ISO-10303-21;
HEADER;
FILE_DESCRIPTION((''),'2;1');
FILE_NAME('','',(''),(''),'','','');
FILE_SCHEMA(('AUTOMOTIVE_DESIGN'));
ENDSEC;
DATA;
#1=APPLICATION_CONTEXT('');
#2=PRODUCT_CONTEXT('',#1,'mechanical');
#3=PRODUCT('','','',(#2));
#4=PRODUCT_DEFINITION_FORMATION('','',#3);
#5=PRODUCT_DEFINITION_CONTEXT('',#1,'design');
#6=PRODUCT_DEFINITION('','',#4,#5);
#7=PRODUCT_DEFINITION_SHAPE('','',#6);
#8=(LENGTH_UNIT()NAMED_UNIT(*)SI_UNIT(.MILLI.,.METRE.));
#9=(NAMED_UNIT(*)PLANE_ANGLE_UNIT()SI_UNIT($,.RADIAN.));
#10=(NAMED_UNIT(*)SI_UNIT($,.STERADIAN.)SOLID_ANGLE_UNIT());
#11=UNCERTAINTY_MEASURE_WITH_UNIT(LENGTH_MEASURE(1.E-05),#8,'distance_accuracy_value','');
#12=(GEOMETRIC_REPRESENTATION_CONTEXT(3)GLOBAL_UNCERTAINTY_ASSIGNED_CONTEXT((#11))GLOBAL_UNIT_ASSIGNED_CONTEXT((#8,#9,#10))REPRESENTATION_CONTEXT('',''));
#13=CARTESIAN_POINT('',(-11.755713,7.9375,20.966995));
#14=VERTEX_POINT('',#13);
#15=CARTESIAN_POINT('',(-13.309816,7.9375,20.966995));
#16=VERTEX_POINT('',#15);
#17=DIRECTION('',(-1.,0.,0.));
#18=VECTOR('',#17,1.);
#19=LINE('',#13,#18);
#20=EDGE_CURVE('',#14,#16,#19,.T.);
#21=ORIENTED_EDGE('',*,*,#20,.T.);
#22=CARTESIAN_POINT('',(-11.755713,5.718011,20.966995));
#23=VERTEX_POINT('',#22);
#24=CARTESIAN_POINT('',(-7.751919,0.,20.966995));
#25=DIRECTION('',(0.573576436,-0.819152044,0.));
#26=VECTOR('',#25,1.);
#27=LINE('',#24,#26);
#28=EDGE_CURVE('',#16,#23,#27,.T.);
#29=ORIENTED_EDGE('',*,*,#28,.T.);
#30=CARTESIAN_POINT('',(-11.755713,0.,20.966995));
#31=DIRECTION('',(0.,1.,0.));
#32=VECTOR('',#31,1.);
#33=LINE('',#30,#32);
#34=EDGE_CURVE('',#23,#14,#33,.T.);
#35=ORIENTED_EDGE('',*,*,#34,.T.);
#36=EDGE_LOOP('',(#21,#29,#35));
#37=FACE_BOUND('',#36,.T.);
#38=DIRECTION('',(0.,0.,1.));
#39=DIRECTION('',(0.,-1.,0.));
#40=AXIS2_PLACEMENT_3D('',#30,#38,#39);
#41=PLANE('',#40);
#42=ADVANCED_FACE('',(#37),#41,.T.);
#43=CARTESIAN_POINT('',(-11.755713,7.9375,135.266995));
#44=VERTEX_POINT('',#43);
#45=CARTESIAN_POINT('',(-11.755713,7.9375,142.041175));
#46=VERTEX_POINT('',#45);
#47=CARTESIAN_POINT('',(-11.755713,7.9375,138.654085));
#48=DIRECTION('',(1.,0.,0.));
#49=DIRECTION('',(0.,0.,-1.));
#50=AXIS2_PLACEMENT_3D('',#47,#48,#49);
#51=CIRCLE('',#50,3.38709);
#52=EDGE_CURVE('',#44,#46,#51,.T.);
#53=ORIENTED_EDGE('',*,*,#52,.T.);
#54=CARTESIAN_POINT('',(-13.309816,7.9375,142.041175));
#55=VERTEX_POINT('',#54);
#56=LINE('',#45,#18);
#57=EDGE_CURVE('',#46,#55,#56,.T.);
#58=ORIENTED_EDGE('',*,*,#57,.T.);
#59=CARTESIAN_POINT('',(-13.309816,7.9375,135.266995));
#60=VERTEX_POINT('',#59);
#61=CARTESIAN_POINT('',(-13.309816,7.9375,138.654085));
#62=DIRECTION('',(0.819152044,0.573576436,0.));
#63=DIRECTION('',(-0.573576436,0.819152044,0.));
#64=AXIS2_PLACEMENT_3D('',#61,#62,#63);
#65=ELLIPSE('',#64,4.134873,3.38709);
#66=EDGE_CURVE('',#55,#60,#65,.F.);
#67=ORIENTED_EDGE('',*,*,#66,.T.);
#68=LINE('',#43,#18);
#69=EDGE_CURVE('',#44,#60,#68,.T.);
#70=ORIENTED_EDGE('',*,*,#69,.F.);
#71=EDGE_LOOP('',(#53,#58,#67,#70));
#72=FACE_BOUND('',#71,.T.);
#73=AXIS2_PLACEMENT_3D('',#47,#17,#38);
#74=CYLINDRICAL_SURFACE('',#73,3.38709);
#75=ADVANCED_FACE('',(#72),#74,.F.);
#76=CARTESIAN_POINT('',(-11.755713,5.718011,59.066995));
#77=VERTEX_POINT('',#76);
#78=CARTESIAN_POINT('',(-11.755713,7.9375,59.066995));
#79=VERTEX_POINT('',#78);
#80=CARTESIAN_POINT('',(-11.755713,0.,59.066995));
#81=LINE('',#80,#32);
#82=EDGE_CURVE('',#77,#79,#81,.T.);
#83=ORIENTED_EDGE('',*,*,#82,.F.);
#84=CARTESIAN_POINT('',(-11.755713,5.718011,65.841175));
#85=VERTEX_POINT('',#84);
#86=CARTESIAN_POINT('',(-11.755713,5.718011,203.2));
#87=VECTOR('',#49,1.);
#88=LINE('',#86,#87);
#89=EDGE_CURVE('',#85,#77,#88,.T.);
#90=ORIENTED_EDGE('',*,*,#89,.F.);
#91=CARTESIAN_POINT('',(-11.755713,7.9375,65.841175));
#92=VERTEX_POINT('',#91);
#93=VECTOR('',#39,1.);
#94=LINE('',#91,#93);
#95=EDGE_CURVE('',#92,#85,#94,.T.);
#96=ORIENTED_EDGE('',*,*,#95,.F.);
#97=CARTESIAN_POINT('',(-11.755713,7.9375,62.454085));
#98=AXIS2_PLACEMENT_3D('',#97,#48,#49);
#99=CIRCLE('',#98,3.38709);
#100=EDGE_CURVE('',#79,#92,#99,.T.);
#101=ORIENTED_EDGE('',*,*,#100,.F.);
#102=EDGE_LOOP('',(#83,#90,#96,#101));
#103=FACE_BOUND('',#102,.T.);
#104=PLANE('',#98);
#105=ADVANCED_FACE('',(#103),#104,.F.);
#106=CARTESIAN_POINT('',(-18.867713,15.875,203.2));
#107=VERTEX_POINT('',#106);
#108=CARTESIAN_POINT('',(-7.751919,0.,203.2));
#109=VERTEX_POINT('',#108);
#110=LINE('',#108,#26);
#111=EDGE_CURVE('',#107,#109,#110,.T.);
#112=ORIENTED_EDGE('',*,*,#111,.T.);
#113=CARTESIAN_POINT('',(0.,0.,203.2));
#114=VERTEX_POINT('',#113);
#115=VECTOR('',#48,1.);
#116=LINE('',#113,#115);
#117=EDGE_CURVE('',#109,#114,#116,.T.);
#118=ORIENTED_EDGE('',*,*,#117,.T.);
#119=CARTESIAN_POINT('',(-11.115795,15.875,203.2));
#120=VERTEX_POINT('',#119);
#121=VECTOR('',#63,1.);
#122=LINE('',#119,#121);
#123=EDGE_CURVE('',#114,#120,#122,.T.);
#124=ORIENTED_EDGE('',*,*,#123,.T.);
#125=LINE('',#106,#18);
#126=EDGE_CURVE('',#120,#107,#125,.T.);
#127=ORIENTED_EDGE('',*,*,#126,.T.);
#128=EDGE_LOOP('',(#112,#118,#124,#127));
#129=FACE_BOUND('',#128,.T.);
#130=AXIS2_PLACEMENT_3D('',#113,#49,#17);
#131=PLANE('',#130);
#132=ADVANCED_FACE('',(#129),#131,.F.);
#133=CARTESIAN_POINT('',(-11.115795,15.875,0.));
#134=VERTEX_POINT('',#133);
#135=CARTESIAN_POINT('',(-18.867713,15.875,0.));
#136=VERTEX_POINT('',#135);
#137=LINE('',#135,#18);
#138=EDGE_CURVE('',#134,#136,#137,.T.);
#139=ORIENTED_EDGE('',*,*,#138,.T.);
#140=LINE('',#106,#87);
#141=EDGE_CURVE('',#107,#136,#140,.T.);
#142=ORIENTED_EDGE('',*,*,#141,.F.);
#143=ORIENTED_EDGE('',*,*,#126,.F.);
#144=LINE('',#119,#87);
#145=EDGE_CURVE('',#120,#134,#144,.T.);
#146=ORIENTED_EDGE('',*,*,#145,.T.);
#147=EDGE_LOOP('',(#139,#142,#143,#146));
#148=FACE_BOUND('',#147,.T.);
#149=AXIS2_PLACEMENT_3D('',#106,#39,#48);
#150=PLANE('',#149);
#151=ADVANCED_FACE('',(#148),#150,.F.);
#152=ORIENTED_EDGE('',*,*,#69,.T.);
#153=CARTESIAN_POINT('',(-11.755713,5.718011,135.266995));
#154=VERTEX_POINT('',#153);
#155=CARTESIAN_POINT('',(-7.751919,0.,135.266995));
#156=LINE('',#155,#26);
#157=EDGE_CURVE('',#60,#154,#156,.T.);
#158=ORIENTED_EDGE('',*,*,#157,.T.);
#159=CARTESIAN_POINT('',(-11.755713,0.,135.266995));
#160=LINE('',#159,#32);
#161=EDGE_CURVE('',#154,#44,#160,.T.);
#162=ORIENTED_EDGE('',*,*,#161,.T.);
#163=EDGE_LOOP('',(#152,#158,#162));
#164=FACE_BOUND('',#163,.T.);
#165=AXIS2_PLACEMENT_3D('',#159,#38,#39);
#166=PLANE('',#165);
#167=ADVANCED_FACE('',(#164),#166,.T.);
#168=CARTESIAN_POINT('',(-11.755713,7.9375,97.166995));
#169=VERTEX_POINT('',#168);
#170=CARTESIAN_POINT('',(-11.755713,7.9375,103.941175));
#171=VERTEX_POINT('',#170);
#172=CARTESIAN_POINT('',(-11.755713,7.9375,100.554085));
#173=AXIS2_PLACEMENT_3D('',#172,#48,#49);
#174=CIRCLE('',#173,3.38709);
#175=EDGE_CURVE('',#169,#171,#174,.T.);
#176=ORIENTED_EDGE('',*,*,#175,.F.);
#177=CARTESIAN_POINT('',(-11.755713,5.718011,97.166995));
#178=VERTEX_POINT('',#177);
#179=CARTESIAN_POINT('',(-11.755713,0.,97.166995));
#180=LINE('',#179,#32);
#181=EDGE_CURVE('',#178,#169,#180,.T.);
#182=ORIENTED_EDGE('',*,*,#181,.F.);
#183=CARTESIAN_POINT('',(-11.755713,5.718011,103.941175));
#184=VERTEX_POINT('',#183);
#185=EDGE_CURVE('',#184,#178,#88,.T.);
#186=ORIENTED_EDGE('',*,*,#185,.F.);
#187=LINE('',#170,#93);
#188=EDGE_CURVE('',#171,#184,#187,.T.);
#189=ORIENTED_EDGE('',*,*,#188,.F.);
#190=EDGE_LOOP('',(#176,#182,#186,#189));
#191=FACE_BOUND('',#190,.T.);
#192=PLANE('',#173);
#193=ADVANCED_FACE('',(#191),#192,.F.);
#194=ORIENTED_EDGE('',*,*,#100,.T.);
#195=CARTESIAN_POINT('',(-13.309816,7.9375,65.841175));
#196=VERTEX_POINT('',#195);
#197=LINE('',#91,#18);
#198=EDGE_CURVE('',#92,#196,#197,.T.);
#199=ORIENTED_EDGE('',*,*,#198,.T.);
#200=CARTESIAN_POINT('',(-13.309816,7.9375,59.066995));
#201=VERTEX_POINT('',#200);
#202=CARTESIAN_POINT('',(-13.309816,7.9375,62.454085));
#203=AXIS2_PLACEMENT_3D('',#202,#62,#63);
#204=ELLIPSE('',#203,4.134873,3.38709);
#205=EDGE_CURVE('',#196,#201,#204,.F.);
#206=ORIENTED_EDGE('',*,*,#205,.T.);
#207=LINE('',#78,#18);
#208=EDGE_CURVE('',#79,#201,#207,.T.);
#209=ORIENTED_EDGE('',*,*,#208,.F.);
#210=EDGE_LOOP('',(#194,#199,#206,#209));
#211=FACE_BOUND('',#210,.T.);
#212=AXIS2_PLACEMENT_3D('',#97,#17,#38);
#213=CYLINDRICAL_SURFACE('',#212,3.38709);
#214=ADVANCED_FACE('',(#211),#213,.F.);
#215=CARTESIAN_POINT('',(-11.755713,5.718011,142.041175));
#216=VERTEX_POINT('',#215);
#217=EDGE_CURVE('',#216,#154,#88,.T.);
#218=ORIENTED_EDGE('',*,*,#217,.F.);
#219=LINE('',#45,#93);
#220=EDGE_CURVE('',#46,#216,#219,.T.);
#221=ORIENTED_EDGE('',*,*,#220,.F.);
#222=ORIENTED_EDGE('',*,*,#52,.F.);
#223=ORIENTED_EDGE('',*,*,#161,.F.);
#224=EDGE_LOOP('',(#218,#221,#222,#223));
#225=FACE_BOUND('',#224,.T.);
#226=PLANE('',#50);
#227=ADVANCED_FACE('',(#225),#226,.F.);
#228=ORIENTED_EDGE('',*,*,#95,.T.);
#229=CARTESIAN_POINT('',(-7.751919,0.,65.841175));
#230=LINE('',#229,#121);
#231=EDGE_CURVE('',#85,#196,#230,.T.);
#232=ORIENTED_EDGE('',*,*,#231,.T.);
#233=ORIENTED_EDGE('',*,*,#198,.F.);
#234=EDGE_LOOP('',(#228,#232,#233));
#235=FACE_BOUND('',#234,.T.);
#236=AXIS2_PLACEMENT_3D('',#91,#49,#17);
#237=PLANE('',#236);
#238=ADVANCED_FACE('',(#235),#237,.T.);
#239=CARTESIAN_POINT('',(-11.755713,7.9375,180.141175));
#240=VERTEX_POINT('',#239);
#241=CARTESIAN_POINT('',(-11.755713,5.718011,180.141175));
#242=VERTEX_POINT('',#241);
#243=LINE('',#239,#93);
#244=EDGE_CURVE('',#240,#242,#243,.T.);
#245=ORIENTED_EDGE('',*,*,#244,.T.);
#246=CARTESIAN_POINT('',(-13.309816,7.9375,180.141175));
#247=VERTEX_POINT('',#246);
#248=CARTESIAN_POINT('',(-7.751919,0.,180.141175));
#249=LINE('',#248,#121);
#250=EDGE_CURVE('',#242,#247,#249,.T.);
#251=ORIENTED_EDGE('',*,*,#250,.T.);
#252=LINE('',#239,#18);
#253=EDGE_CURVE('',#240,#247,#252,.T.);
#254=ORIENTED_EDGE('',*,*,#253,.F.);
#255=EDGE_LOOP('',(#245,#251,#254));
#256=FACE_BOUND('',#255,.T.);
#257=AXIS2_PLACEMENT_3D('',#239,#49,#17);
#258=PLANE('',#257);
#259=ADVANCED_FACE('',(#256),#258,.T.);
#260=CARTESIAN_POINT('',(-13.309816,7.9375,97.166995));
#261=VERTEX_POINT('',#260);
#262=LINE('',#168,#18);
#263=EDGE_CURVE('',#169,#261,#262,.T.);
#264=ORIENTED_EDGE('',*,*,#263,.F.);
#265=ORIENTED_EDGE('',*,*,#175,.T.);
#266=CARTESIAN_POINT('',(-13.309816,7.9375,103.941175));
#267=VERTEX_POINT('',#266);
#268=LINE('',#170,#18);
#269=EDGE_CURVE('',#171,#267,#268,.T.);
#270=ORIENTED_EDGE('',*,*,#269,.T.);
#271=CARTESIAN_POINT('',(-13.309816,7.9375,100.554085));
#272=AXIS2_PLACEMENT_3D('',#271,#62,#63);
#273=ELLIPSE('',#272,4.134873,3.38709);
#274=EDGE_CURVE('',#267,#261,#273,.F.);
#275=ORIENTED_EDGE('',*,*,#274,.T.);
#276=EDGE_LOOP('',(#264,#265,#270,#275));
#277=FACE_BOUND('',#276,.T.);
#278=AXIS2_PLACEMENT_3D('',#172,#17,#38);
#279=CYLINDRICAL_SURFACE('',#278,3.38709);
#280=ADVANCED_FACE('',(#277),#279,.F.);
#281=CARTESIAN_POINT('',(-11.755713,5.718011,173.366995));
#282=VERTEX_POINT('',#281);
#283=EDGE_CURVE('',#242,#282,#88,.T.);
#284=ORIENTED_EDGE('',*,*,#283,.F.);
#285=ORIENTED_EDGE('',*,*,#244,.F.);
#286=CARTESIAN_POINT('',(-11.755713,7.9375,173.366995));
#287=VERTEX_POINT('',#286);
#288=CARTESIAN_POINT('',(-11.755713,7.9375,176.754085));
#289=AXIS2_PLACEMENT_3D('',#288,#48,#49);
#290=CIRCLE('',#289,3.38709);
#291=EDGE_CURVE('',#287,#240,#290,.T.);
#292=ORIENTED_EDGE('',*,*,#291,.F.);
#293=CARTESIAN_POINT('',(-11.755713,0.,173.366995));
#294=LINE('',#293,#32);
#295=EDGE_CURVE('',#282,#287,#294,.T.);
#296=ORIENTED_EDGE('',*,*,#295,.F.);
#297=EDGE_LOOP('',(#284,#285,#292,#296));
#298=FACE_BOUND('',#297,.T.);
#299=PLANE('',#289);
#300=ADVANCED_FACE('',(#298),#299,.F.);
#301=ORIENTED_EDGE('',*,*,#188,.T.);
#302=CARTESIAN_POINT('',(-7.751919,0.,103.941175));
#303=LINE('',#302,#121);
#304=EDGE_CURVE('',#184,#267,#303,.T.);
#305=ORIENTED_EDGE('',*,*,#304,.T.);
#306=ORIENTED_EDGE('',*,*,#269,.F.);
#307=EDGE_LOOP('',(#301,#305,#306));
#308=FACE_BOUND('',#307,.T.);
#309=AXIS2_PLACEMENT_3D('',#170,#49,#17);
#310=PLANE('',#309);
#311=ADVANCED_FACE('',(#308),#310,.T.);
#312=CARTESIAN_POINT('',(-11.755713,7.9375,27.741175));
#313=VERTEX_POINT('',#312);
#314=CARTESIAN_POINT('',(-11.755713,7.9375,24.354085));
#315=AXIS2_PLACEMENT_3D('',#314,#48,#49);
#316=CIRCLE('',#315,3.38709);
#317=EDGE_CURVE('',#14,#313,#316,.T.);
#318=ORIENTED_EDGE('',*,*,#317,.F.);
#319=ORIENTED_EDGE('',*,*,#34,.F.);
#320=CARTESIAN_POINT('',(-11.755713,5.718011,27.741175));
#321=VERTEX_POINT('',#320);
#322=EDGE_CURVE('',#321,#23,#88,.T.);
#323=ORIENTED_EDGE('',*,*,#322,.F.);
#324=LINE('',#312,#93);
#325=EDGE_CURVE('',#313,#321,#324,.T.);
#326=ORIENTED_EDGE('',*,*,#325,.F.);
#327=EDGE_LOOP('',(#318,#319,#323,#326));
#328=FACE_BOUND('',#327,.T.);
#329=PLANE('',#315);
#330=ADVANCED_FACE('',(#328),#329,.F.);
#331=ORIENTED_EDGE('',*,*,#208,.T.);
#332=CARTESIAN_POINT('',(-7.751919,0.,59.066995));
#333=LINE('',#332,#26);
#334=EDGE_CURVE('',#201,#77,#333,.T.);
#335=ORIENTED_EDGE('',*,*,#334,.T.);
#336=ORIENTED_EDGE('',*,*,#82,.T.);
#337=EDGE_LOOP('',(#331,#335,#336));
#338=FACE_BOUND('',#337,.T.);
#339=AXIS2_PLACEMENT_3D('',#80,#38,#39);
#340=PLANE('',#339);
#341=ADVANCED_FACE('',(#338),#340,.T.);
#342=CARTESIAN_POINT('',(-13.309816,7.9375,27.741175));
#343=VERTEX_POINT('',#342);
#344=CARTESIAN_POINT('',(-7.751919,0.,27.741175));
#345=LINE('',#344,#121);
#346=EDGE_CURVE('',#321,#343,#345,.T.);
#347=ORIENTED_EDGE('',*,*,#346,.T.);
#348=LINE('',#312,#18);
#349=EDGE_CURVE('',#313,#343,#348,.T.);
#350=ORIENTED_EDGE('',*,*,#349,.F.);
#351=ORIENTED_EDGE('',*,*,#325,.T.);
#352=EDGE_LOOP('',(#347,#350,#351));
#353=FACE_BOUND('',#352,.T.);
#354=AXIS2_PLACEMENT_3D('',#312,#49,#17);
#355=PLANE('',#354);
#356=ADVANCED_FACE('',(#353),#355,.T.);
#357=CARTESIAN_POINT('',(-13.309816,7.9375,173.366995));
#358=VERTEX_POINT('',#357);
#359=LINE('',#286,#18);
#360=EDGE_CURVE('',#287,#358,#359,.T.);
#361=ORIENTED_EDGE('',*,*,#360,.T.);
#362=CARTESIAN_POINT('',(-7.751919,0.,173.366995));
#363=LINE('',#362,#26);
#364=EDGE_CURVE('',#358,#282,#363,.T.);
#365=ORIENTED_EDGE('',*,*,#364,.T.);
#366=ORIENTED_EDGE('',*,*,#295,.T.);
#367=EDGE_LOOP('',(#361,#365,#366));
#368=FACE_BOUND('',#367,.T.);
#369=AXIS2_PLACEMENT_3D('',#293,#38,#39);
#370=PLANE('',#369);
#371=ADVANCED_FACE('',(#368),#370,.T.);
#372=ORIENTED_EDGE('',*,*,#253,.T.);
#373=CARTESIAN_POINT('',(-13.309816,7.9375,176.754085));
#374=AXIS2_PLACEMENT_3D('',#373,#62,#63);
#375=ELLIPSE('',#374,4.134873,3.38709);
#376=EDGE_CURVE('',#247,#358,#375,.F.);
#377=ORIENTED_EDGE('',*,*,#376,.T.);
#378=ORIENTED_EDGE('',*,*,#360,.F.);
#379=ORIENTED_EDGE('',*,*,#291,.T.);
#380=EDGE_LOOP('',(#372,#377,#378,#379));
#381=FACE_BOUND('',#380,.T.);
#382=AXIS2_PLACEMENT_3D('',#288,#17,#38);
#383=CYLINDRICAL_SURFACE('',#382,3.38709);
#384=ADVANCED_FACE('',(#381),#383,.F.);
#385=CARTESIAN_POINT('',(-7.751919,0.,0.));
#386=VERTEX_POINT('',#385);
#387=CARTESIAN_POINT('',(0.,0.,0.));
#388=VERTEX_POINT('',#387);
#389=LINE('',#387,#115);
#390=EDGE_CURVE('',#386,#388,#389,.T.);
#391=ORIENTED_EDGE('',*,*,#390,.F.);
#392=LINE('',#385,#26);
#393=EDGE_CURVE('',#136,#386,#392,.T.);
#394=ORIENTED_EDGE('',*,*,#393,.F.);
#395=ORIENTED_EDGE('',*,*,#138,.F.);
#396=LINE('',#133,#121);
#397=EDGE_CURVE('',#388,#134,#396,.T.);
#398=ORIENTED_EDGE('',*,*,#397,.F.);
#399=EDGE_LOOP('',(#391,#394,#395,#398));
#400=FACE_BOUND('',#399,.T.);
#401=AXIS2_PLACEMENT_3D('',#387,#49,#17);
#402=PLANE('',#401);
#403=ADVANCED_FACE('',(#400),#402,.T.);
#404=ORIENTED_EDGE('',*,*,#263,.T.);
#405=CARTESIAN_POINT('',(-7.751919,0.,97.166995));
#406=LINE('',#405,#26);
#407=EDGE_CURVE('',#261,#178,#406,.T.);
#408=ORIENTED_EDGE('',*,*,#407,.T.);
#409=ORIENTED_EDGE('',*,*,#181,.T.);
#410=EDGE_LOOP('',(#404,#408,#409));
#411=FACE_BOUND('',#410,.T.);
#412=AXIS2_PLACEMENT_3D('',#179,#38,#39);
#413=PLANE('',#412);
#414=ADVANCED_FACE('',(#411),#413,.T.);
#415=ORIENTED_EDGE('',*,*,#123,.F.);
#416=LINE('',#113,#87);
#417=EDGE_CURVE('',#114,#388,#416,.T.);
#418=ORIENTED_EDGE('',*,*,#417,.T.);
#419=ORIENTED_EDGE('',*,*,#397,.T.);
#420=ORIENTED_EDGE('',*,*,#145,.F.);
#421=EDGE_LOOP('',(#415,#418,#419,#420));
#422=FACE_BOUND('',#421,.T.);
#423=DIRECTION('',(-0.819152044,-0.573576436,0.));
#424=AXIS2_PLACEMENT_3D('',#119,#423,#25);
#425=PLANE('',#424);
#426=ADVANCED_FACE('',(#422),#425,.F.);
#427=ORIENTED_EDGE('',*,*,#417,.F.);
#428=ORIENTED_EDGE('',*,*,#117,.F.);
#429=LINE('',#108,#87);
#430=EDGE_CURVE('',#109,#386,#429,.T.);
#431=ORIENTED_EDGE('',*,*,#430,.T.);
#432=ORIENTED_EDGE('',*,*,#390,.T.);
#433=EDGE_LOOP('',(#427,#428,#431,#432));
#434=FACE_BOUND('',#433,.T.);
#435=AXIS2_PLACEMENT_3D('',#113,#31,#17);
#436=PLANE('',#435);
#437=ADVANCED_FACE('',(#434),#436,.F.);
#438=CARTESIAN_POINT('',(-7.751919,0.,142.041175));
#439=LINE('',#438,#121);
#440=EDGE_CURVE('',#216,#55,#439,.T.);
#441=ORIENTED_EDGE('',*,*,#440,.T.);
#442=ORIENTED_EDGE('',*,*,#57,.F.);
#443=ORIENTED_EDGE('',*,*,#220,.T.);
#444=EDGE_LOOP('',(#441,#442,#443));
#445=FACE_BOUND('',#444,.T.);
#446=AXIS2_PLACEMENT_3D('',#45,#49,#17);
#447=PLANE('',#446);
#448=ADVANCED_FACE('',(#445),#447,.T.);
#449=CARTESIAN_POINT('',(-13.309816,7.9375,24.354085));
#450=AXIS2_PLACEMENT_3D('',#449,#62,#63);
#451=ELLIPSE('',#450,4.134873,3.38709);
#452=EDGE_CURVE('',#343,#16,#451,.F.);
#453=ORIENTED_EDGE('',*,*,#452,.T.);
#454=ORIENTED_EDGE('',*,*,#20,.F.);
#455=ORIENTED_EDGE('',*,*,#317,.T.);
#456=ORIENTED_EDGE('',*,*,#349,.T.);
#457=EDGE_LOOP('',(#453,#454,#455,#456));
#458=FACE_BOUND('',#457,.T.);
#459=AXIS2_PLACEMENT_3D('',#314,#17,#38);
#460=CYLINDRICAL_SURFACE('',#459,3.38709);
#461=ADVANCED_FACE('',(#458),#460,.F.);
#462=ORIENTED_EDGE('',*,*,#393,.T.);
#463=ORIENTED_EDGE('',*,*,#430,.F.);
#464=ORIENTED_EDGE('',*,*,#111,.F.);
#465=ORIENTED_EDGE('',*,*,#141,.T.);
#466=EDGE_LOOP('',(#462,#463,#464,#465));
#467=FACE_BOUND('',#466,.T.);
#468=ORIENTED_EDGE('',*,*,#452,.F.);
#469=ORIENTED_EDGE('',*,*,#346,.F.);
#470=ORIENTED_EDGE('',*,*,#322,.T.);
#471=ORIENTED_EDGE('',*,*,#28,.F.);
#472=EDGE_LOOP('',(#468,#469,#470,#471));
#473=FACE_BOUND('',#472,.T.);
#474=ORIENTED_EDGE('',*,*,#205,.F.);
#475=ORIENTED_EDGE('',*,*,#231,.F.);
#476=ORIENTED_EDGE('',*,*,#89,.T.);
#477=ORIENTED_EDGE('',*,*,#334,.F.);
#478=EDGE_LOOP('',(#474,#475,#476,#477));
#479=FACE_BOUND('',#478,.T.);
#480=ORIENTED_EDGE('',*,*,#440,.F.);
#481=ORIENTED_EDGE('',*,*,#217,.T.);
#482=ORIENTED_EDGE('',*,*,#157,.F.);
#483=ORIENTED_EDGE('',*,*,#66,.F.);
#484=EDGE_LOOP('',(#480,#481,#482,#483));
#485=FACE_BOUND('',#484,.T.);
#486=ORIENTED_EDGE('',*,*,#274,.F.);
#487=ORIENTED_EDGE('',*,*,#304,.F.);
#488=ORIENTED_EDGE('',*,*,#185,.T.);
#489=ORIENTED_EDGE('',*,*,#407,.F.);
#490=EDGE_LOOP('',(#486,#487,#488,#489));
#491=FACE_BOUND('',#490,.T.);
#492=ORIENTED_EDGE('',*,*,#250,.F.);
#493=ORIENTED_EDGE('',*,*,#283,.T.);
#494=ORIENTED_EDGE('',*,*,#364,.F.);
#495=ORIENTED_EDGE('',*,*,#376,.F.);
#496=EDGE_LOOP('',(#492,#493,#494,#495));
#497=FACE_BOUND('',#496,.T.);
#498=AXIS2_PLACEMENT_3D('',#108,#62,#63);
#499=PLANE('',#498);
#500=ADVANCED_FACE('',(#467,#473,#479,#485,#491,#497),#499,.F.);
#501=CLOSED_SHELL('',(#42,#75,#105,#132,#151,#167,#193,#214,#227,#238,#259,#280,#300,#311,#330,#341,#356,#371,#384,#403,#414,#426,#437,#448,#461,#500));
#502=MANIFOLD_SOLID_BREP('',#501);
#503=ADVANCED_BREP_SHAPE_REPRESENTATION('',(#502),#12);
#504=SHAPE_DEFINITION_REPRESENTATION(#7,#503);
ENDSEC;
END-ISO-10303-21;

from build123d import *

# Parameters (mm, degrees)
BOSS_EXTRUDE1_DEPTH = 203.2
CUT_EXTRUDE1_DEPTH  = 7.112


with BuildPart() as part:
    # end-profile → Boss-Extrude1 (new body)
    with BuildSketch(Plane.XY):
        Polygon((0, 0), (-7.751918639, 0), (-18.867713308, 15.875), (-11.115794669, 15.875), align=None)
    extrude(amount=BOSS_EXTRUDE1_DEPTH)

    # Sketch4 → Cut-Extrude1 (cut)
    with BuildSketch(Plane(origin=(-18.867713308, 0, 0), x_dir=(0, 0, -1), z_dir=(1, 0, 0))):
        with BuildLine():
            Line((-180.141175267, 7.9375), (-180.141175267, 0))
            Line((-180.141175267, 0), (-173.366995267, 0))
            Line((-173.366995267, 0), (-173.366995267, 7.9375))
            ThreePointArc((-173.366995267, 7.9375), (-176.754085267, 11.32459), (-180.141175267, 7.9375))
        make_face()
        with BuildLine():
            Line((-142.041175267, 7.9375), (-142.041175267, 0))
            Line((-142.041175267, 0), (-135.266995267, 0))
            Line((-135.266995267, 0), (-135.266995267, 7.9375))
            ThreePointArc((-135.266995267, 7.9375), (-138.654085267, 11.32459), (-142.041175267, 7.9375))
        make_face()
        with BuildLine():
            Line((-103.941175267, 7.9375), (-103.941175267, 0))
            Line((-103.941175267, 0), (-97.166995267, 0))
            Line((-97.166995267, 0), (-97.166995267, 7.9375))
            ThreePointArc((-97.166995267, 7.9375), (-100.554085267, 11.32459), (-103.941175267, 7.9375))
        make_face()
        with BuildLine():
            Line((-65.841175267, 7.9375), (-65.841175267, 0))
            Line((-65.841175267, 0), (-59.066995267, 0))
            Line((-59.066995267, 0), (-59.066995267, 7.9375))
            ThreePointArc((-59.066995267, 7.9375), (-62.454085267, 11.32459), (-65.841175267, 7.9375))
        make_face()
        with BuildLine():
            Line((-27.741175267, 7.9375), (-27.741175267, 0))
            Line((-27.741175267, 0), (-20.966995267, 0))
            Line((-20.966995267, 0), (-20.966995267, 7.9375))
            ThreePointArc((-20.966995267, 7.9375), (-24.354085267, 11.32459), (-27.741175267, 7.9375))
        make_face()
    extrude(amount=CUT_EXTRUDE1_DEPTH, mode=Mode.SUBTRACT)


solid = part.part
